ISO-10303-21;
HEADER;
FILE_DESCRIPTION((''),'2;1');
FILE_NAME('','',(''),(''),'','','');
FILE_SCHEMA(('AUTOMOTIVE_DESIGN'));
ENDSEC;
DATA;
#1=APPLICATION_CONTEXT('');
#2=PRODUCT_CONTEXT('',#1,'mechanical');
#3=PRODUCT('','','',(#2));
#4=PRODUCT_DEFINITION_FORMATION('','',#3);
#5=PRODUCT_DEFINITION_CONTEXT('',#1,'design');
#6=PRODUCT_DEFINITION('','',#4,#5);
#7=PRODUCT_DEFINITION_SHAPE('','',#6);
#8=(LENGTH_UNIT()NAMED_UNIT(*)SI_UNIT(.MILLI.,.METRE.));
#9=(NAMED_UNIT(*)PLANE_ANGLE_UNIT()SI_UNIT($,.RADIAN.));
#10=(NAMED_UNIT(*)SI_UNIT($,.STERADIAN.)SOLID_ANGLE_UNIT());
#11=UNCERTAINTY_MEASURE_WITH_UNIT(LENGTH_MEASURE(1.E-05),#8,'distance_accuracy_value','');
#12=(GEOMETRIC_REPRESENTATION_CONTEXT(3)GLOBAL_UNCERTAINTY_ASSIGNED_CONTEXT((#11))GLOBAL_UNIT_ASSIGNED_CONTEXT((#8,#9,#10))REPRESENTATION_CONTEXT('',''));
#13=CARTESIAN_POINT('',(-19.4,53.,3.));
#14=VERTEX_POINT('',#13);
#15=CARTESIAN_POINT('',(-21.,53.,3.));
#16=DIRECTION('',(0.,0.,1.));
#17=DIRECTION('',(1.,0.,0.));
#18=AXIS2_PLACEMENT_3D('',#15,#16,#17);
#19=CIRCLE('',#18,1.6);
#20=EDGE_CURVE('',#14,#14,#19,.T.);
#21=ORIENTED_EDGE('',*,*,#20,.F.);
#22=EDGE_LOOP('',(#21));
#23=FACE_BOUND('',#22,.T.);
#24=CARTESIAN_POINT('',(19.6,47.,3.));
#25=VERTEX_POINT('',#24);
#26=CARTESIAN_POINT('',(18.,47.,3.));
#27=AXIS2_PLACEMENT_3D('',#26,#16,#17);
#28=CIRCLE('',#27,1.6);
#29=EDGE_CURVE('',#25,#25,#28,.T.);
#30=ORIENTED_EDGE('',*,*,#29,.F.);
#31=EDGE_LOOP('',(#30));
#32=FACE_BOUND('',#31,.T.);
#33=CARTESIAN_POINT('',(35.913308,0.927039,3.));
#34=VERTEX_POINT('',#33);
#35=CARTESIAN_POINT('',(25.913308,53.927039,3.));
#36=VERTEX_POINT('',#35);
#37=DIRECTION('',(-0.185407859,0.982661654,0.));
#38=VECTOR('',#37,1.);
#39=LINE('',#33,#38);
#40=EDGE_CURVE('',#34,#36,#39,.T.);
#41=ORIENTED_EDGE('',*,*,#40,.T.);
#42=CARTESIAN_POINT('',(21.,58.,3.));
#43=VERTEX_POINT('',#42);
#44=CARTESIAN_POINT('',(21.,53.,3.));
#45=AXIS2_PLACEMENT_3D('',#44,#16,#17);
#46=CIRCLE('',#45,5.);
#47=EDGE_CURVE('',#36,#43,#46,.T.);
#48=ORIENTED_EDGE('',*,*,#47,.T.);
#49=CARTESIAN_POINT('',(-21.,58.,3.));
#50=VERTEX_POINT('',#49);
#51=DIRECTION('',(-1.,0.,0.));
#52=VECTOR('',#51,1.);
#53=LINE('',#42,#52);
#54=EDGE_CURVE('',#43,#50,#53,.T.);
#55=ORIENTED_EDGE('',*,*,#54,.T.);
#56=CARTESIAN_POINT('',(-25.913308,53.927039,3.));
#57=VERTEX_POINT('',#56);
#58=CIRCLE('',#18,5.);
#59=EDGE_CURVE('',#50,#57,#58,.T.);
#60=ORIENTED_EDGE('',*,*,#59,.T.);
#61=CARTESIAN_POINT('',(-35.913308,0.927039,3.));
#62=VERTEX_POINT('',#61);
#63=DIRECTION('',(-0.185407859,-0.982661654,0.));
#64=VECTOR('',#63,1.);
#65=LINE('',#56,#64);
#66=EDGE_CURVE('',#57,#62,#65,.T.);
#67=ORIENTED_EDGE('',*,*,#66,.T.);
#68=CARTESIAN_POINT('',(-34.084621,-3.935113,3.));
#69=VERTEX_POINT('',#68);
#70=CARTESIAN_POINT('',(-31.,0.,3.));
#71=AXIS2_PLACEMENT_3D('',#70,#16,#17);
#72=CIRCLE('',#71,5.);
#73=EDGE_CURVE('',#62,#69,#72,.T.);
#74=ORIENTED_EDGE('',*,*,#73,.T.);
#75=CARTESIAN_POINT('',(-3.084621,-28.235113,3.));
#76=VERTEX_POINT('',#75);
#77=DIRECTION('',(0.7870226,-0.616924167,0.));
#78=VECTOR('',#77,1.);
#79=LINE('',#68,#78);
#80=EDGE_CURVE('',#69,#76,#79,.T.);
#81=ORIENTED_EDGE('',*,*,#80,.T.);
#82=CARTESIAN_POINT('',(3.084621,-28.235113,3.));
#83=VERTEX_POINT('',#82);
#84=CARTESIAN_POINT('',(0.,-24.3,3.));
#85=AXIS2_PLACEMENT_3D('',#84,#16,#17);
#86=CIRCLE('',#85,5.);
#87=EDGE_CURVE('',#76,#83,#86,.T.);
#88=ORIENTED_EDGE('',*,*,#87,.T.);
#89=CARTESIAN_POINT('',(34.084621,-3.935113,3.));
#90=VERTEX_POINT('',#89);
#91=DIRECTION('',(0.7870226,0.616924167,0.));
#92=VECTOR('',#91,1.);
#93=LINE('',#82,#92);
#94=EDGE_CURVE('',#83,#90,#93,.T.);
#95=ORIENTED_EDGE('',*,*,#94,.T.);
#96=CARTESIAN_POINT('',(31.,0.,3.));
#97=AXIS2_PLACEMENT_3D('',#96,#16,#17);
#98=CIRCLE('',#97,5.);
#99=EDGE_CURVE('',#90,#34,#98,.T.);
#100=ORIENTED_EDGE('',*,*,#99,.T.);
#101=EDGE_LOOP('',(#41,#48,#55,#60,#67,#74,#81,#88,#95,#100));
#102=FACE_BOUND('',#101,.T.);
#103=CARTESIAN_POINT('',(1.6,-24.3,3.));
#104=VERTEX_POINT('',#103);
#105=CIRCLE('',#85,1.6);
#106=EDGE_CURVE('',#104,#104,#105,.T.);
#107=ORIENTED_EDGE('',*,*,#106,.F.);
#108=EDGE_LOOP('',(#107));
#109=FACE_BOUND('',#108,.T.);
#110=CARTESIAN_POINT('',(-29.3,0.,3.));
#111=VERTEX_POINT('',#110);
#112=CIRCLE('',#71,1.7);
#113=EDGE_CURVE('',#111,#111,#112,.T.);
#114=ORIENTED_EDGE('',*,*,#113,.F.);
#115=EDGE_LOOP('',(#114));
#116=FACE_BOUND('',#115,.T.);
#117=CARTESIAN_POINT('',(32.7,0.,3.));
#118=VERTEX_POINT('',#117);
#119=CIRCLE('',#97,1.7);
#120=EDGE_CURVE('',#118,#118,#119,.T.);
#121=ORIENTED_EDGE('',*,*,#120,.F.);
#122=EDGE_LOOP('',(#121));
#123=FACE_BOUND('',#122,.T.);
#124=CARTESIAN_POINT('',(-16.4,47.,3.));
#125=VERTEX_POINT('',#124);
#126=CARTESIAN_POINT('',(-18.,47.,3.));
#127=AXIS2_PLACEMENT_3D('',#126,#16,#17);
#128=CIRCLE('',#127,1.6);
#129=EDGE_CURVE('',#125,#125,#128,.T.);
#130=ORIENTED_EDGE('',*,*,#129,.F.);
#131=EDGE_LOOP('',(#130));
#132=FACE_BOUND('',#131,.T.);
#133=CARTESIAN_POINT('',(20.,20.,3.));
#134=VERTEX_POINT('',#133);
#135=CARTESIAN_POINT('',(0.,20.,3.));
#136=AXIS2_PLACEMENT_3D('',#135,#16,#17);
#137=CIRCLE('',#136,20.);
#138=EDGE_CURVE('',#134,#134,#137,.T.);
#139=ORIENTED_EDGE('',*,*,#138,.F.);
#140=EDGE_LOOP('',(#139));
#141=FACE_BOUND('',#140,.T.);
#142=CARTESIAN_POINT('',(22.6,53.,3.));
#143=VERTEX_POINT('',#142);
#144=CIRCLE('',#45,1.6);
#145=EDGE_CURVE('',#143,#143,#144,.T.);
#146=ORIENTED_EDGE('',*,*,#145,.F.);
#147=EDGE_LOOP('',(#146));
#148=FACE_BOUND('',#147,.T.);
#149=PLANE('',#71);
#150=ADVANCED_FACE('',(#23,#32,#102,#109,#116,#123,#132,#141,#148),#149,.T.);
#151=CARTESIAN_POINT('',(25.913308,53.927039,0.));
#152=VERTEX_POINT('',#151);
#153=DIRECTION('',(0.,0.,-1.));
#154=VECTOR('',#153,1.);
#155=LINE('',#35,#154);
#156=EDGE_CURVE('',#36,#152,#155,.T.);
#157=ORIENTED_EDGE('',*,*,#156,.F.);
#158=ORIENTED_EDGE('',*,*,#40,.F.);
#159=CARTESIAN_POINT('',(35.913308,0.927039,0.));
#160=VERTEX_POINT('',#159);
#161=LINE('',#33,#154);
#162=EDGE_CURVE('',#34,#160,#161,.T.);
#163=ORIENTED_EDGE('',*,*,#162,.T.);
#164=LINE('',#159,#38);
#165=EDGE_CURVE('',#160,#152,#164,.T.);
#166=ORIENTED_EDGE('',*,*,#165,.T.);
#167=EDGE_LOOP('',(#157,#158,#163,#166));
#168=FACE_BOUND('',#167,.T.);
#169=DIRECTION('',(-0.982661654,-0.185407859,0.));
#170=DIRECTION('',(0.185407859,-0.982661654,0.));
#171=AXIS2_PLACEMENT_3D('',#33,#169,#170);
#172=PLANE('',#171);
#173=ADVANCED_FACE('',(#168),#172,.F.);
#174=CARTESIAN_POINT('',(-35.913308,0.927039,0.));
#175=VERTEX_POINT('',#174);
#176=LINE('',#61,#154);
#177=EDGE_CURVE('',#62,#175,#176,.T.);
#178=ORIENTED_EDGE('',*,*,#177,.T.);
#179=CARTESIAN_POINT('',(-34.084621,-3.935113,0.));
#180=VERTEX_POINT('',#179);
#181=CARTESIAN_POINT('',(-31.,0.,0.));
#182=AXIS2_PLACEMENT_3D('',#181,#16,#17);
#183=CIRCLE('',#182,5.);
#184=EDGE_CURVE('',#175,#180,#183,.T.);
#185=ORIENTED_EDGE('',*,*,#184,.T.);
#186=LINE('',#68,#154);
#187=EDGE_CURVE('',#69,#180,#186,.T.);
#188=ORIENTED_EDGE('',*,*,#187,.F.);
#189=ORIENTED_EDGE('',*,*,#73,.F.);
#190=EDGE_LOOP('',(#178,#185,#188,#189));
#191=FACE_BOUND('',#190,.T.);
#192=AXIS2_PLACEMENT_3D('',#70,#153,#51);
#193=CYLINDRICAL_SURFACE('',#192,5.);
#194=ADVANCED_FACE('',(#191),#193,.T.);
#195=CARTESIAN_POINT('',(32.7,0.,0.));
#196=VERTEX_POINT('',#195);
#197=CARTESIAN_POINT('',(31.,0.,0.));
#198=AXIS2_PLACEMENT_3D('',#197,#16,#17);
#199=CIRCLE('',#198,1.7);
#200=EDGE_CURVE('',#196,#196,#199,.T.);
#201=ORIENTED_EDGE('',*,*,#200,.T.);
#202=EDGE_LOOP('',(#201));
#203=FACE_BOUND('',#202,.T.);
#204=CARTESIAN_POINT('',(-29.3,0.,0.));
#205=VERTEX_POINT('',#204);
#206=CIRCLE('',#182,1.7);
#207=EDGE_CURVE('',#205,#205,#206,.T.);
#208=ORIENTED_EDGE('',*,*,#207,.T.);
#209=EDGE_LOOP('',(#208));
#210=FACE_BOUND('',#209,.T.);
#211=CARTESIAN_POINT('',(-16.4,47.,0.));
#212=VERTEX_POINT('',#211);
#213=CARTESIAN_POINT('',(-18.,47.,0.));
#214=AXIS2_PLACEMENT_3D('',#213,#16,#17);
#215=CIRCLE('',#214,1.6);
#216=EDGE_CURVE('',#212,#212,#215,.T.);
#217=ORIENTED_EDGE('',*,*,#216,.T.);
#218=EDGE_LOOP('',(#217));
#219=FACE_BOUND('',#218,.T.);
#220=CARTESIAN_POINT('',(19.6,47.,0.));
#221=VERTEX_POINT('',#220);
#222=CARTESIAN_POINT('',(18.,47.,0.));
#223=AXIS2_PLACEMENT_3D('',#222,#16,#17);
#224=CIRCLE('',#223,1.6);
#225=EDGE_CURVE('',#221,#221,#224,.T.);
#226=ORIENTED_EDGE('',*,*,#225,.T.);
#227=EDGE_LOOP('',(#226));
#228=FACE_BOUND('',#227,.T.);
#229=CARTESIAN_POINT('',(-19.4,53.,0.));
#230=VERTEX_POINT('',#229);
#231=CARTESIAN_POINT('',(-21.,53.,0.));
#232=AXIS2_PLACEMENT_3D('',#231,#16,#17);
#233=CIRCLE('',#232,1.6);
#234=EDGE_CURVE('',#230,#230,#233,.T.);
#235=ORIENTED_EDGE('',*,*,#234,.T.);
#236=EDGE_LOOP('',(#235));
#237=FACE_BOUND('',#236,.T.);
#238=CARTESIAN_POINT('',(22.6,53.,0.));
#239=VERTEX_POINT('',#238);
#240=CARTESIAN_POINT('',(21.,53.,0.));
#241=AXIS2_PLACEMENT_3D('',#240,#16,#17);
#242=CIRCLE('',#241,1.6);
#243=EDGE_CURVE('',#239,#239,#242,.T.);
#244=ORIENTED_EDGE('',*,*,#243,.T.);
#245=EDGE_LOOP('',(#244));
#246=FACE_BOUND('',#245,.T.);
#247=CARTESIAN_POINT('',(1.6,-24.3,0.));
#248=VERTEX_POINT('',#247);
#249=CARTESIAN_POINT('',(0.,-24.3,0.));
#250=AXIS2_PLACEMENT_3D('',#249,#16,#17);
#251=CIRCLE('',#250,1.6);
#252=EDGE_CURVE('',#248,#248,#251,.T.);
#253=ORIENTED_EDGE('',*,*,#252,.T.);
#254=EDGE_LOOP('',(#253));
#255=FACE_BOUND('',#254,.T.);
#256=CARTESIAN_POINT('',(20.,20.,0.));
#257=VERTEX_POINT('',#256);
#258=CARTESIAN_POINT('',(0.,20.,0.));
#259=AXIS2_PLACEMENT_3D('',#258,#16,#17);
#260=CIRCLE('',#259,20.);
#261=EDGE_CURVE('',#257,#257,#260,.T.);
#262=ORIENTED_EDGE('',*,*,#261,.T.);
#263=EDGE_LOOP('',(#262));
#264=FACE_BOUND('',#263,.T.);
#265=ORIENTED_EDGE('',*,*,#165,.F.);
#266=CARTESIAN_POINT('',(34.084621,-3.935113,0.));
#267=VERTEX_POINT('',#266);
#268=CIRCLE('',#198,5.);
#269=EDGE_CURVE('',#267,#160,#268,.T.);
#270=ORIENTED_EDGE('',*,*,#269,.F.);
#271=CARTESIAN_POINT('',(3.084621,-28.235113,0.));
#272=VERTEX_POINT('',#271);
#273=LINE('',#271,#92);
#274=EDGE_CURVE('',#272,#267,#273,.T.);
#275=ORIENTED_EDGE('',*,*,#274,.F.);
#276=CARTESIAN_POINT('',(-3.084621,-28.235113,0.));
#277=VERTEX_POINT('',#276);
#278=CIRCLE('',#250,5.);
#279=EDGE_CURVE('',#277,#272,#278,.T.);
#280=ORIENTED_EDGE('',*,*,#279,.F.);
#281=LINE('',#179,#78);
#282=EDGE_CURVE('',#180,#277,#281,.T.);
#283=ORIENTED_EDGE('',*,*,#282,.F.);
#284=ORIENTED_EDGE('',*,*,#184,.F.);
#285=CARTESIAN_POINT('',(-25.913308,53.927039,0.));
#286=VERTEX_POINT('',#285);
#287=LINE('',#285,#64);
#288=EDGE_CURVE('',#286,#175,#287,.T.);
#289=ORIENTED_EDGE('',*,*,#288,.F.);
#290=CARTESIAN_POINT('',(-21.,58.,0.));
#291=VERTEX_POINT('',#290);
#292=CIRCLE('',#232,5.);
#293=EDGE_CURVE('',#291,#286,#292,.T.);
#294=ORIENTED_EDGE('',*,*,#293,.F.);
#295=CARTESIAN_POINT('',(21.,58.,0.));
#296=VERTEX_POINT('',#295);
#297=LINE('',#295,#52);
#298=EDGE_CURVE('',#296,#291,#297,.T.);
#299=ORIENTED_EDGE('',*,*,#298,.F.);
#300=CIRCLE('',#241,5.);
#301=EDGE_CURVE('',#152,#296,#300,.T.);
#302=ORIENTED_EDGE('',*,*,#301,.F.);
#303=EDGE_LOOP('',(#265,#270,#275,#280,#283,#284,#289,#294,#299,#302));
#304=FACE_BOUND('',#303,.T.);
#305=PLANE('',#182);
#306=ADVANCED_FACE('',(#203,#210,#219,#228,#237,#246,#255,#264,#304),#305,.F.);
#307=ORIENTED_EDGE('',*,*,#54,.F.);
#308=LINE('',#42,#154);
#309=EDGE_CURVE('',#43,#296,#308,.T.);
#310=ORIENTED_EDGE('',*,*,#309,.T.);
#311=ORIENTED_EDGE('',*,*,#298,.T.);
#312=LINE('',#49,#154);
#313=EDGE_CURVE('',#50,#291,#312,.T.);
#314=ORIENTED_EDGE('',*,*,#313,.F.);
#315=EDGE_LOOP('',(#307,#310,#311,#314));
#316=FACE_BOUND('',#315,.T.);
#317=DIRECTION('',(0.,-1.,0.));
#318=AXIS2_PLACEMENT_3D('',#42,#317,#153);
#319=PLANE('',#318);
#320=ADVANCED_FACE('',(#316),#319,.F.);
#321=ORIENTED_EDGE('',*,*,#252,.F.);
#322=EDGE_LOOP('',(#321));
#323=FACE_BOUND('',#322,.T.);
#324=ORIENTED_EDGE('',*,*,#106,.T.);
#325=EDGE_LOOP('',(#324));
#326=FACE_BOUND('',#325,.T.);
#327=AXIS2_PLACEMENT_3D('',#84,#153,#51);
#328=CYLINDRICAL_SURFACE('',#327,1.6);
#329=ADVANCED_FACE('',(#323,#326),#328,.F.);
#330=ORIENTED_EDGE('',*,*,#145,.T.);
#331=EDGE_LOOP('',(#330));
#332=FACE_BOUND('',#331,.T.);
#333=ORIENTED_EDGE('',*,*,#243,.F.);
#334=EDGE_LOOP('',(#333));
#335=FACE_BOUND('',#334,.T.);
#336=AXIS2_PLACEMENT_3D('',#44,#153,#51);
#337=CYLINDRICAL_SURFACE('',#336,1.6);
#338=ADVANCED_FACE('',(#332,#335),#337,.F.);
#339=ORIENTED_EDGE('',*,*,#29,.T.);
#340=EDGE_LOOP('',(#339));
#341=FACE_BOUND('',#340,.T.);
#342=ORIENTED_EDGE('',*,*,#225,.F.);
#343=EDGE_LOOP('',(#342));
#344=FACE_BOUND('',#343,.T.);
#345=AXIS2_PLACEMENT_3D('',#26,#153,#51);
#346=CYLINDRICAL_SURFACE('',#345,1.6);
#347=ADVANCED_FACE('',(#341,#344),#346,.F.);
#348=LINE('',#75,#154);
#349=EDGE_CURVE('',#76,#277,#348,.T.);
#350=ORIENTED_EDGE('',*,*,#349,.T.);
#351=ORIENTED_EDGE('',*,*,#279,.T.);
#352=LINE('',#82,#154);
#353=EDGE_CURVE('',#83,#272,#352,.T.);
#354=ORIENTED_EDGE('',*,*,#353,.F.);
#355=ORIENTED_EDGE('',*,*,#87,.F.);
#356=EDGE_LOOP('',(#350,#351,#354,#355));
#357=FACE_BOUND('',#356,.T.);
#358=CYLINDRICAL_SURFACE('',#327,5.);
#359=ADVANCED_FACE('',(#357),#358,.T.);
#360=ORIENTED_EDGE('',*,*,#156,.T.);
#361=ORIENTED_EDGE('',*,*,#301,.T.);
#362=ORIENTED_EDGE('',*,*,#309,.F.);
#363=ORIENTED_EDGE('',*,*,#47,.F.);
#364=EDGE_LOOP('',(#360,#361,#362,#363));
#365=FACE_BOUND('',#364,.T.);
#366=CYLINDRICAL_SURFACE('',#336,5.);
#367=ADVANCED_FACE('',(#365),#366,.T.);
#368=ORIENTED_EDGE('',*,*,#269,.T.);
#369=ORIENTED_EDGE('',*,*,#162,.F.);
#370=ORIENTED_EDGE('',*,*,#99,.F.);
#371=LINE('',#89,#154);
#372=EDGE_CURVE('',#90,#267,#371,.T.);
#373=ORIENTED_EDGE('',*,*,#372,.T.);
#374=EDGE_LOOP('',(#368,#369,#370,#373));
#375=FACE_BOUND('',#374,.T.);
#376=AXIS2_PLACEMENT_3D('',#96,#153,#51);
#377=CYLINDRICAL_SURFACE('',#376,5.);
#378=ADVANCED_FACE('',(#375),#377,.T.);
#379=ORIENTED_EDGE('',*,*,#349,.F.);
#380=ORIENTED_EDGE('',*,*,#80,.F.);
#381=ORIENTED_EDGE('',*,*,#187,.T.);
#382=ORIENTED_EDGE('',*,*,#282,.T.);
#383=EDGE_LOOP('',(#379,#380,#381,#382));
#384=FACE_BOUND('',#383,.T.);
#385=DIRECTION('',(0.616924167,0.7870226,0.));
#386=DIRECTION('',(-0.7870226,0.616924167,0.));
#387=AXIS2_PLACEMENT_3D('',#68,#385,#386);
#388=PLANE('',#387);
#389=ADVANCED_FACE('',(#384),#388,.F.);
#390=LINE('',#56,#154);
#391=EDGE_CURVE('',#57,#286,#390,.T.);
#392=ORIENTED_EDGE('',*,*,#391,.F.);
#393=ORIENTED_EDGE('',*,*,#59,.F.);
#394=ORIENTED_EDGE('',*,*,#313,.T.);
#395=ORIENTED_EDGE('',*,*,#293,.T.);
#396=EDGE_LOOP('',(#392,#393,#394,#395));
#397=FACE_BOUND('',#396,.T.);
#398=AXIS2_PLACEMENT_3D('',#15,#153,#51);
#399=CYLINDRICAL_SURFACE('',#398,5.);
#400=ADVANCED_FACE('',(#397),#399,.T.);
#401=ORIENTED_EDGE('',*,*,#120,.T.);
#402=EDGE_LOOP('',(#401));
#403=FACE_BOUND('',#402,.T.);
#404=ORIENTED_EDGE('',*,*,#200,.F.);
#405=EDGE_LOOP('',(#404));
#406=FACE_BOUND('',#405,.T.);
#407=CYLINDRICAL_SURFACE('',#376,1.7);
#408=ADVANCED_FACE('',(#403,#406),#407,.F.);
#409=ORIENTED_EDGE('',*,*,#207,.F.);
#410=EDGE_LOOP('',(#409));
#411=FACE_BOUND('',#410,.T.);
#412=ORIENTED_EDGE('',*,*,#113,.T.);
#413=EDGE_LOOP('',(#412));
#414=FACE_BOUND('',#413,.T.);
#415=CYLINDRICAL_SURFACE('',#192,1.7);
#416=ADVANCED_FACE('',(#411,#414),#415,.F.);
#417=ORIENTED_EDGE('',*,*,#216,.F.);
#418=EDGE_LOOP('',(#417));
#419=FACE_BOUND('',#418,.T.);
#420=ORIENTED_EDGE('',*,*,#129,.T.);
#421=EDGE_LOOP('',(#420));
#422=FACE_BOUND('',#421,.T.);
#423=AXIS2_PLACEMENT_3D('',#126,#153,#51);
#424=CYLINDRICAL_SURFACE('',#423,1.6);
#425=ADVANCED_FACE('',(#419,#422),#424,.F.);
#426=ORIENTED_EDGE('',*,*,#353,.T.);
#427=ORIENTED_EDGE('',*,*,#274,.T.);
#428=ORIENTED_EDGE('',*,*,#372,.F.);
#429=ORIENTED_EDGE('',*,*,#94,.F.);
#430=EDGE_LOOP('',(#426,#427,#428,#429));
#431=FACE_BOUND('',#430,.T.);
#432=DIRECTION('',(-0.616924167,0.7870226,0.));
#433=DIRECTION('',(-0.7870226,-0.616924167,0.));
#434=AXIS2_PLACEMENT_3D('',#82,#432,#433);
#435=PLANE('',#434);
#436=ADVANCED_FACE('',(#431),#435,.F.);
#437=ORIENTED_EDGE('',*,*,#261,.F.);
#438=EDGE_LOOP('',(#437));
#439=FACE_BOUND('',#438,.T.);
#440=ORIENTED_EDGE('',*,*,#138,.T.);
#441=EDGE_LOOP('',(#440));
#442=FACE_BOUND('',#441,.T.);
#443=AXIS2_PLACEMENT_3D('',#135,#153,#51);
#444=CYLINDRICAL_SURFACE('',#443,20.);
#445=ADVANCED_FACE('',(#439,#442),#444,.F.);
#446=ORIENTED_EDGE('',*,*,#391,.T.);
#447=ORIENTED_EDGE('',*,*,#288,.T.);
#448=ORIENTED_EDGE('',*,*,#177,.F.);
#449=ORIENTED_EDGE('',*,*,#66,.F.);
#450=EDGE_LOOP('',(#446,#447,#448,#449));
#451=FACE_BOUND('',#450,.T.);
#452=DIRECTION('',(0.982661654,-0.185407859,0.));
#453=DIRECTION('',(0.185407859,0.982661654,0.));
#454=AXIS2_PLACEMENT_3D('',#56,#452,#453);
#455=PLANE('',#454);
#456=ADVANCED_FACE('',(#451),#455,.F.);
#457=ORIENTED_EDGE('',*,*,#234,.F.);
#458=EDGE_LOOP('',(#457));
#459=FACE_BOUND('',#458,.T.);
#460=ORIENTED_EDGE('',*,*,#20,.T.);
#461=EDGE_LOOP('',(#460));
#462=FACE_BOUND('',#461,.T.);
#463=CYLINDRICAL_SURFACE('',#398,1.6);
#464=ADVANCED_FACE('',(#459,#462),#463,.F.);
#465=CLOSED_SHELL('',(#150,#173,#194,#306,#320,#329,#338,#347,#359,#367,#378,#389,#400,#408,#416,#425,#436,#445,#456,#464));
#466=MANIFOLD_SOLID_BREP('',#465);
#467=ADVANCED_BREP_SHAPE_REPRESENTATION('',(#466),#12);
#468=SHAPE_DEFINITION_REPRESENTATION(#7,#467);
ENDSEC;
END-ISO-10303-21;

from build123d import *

# Parameters (mm, degrees)
SKETCH_1_R      = 1.6
SKETCH_1_R_2    = 1.7
SKETCH_1_R_3    = 20
EXTRUDE_1_DEPTH = 3


with BuildPart() as part:
    # 草图1 → 凸台-拉伸1 (new body)
    with BuildSketch(Plane.XY):
        with BuildLine():
            Line((21, 58), (-21, 58))
            ThreePointArc((-21, 58), (-24.190987584, 56.849363355), (-25.913308269, 53.927039296))
            Line((-25.913308269, 53.927039296), (-35.913308269, 0.927039296))
            ThreePointArc((-35.913308269, 0.927039296), (-35.679941102, -1.760156608), (-34.084620834, -3.935112998))
            Line((-34.084620834, -3.935112998), (-3.084620834, -28.235112998))
            ThreePointArc((-3.084620834, -28.235112998), (0, -29.3), (3.084620834, -28.235112998))
            Line((3.084620834, -28.235112998), (34.084620834, -3.935112998))
            ThreePointArc((34.084620834, -3.935112998), (35.679941102, -1.760156608), (35.913308269, 0.927039296))
            Line((35.913308269, 0.927039296), (25.913308269, 53.927039296))
            ThreePointArc((25.913308269, 53.927039296), (24.190987584, 56.849363355), (21, 58))
        make_face()
        with Locations((21, 53)):
            Circle(SKETCH_1_R, mode=Mode.SUBTRACT)
        with Locations((-21, 53)):
            Circle(SKETCH_1_R, mode=Mode.SUBTRACT)
        with Locations((31, 0)):
            Circle(SKETCH_1_R_2, mode=Mode.SUBTRACT)
        with Locations((-31, 0)):
            Circle(SKETCH_1_R_2, mode=Mode.SUBTRACT)
        with Locations((18, 47)):
            Circle(SKETCH_1_R, mode=Mode.SUBTRACT)
        with Locations((-18, 47)):
            Circle(SKETCH_1_R, mode=Mode.SUBTRACT)
        with Locations((0, -24.3)):
            Circle(SKETCH_1_R, mode=Mode.SUBTRACT)
        with Locations((0, 20)):
            Circle(SKETCH_1_R_3, mode=Mode.SUBTRACT)
    extrude(amount=EXTRUDE_1_DEPTH)


solid = part.part
